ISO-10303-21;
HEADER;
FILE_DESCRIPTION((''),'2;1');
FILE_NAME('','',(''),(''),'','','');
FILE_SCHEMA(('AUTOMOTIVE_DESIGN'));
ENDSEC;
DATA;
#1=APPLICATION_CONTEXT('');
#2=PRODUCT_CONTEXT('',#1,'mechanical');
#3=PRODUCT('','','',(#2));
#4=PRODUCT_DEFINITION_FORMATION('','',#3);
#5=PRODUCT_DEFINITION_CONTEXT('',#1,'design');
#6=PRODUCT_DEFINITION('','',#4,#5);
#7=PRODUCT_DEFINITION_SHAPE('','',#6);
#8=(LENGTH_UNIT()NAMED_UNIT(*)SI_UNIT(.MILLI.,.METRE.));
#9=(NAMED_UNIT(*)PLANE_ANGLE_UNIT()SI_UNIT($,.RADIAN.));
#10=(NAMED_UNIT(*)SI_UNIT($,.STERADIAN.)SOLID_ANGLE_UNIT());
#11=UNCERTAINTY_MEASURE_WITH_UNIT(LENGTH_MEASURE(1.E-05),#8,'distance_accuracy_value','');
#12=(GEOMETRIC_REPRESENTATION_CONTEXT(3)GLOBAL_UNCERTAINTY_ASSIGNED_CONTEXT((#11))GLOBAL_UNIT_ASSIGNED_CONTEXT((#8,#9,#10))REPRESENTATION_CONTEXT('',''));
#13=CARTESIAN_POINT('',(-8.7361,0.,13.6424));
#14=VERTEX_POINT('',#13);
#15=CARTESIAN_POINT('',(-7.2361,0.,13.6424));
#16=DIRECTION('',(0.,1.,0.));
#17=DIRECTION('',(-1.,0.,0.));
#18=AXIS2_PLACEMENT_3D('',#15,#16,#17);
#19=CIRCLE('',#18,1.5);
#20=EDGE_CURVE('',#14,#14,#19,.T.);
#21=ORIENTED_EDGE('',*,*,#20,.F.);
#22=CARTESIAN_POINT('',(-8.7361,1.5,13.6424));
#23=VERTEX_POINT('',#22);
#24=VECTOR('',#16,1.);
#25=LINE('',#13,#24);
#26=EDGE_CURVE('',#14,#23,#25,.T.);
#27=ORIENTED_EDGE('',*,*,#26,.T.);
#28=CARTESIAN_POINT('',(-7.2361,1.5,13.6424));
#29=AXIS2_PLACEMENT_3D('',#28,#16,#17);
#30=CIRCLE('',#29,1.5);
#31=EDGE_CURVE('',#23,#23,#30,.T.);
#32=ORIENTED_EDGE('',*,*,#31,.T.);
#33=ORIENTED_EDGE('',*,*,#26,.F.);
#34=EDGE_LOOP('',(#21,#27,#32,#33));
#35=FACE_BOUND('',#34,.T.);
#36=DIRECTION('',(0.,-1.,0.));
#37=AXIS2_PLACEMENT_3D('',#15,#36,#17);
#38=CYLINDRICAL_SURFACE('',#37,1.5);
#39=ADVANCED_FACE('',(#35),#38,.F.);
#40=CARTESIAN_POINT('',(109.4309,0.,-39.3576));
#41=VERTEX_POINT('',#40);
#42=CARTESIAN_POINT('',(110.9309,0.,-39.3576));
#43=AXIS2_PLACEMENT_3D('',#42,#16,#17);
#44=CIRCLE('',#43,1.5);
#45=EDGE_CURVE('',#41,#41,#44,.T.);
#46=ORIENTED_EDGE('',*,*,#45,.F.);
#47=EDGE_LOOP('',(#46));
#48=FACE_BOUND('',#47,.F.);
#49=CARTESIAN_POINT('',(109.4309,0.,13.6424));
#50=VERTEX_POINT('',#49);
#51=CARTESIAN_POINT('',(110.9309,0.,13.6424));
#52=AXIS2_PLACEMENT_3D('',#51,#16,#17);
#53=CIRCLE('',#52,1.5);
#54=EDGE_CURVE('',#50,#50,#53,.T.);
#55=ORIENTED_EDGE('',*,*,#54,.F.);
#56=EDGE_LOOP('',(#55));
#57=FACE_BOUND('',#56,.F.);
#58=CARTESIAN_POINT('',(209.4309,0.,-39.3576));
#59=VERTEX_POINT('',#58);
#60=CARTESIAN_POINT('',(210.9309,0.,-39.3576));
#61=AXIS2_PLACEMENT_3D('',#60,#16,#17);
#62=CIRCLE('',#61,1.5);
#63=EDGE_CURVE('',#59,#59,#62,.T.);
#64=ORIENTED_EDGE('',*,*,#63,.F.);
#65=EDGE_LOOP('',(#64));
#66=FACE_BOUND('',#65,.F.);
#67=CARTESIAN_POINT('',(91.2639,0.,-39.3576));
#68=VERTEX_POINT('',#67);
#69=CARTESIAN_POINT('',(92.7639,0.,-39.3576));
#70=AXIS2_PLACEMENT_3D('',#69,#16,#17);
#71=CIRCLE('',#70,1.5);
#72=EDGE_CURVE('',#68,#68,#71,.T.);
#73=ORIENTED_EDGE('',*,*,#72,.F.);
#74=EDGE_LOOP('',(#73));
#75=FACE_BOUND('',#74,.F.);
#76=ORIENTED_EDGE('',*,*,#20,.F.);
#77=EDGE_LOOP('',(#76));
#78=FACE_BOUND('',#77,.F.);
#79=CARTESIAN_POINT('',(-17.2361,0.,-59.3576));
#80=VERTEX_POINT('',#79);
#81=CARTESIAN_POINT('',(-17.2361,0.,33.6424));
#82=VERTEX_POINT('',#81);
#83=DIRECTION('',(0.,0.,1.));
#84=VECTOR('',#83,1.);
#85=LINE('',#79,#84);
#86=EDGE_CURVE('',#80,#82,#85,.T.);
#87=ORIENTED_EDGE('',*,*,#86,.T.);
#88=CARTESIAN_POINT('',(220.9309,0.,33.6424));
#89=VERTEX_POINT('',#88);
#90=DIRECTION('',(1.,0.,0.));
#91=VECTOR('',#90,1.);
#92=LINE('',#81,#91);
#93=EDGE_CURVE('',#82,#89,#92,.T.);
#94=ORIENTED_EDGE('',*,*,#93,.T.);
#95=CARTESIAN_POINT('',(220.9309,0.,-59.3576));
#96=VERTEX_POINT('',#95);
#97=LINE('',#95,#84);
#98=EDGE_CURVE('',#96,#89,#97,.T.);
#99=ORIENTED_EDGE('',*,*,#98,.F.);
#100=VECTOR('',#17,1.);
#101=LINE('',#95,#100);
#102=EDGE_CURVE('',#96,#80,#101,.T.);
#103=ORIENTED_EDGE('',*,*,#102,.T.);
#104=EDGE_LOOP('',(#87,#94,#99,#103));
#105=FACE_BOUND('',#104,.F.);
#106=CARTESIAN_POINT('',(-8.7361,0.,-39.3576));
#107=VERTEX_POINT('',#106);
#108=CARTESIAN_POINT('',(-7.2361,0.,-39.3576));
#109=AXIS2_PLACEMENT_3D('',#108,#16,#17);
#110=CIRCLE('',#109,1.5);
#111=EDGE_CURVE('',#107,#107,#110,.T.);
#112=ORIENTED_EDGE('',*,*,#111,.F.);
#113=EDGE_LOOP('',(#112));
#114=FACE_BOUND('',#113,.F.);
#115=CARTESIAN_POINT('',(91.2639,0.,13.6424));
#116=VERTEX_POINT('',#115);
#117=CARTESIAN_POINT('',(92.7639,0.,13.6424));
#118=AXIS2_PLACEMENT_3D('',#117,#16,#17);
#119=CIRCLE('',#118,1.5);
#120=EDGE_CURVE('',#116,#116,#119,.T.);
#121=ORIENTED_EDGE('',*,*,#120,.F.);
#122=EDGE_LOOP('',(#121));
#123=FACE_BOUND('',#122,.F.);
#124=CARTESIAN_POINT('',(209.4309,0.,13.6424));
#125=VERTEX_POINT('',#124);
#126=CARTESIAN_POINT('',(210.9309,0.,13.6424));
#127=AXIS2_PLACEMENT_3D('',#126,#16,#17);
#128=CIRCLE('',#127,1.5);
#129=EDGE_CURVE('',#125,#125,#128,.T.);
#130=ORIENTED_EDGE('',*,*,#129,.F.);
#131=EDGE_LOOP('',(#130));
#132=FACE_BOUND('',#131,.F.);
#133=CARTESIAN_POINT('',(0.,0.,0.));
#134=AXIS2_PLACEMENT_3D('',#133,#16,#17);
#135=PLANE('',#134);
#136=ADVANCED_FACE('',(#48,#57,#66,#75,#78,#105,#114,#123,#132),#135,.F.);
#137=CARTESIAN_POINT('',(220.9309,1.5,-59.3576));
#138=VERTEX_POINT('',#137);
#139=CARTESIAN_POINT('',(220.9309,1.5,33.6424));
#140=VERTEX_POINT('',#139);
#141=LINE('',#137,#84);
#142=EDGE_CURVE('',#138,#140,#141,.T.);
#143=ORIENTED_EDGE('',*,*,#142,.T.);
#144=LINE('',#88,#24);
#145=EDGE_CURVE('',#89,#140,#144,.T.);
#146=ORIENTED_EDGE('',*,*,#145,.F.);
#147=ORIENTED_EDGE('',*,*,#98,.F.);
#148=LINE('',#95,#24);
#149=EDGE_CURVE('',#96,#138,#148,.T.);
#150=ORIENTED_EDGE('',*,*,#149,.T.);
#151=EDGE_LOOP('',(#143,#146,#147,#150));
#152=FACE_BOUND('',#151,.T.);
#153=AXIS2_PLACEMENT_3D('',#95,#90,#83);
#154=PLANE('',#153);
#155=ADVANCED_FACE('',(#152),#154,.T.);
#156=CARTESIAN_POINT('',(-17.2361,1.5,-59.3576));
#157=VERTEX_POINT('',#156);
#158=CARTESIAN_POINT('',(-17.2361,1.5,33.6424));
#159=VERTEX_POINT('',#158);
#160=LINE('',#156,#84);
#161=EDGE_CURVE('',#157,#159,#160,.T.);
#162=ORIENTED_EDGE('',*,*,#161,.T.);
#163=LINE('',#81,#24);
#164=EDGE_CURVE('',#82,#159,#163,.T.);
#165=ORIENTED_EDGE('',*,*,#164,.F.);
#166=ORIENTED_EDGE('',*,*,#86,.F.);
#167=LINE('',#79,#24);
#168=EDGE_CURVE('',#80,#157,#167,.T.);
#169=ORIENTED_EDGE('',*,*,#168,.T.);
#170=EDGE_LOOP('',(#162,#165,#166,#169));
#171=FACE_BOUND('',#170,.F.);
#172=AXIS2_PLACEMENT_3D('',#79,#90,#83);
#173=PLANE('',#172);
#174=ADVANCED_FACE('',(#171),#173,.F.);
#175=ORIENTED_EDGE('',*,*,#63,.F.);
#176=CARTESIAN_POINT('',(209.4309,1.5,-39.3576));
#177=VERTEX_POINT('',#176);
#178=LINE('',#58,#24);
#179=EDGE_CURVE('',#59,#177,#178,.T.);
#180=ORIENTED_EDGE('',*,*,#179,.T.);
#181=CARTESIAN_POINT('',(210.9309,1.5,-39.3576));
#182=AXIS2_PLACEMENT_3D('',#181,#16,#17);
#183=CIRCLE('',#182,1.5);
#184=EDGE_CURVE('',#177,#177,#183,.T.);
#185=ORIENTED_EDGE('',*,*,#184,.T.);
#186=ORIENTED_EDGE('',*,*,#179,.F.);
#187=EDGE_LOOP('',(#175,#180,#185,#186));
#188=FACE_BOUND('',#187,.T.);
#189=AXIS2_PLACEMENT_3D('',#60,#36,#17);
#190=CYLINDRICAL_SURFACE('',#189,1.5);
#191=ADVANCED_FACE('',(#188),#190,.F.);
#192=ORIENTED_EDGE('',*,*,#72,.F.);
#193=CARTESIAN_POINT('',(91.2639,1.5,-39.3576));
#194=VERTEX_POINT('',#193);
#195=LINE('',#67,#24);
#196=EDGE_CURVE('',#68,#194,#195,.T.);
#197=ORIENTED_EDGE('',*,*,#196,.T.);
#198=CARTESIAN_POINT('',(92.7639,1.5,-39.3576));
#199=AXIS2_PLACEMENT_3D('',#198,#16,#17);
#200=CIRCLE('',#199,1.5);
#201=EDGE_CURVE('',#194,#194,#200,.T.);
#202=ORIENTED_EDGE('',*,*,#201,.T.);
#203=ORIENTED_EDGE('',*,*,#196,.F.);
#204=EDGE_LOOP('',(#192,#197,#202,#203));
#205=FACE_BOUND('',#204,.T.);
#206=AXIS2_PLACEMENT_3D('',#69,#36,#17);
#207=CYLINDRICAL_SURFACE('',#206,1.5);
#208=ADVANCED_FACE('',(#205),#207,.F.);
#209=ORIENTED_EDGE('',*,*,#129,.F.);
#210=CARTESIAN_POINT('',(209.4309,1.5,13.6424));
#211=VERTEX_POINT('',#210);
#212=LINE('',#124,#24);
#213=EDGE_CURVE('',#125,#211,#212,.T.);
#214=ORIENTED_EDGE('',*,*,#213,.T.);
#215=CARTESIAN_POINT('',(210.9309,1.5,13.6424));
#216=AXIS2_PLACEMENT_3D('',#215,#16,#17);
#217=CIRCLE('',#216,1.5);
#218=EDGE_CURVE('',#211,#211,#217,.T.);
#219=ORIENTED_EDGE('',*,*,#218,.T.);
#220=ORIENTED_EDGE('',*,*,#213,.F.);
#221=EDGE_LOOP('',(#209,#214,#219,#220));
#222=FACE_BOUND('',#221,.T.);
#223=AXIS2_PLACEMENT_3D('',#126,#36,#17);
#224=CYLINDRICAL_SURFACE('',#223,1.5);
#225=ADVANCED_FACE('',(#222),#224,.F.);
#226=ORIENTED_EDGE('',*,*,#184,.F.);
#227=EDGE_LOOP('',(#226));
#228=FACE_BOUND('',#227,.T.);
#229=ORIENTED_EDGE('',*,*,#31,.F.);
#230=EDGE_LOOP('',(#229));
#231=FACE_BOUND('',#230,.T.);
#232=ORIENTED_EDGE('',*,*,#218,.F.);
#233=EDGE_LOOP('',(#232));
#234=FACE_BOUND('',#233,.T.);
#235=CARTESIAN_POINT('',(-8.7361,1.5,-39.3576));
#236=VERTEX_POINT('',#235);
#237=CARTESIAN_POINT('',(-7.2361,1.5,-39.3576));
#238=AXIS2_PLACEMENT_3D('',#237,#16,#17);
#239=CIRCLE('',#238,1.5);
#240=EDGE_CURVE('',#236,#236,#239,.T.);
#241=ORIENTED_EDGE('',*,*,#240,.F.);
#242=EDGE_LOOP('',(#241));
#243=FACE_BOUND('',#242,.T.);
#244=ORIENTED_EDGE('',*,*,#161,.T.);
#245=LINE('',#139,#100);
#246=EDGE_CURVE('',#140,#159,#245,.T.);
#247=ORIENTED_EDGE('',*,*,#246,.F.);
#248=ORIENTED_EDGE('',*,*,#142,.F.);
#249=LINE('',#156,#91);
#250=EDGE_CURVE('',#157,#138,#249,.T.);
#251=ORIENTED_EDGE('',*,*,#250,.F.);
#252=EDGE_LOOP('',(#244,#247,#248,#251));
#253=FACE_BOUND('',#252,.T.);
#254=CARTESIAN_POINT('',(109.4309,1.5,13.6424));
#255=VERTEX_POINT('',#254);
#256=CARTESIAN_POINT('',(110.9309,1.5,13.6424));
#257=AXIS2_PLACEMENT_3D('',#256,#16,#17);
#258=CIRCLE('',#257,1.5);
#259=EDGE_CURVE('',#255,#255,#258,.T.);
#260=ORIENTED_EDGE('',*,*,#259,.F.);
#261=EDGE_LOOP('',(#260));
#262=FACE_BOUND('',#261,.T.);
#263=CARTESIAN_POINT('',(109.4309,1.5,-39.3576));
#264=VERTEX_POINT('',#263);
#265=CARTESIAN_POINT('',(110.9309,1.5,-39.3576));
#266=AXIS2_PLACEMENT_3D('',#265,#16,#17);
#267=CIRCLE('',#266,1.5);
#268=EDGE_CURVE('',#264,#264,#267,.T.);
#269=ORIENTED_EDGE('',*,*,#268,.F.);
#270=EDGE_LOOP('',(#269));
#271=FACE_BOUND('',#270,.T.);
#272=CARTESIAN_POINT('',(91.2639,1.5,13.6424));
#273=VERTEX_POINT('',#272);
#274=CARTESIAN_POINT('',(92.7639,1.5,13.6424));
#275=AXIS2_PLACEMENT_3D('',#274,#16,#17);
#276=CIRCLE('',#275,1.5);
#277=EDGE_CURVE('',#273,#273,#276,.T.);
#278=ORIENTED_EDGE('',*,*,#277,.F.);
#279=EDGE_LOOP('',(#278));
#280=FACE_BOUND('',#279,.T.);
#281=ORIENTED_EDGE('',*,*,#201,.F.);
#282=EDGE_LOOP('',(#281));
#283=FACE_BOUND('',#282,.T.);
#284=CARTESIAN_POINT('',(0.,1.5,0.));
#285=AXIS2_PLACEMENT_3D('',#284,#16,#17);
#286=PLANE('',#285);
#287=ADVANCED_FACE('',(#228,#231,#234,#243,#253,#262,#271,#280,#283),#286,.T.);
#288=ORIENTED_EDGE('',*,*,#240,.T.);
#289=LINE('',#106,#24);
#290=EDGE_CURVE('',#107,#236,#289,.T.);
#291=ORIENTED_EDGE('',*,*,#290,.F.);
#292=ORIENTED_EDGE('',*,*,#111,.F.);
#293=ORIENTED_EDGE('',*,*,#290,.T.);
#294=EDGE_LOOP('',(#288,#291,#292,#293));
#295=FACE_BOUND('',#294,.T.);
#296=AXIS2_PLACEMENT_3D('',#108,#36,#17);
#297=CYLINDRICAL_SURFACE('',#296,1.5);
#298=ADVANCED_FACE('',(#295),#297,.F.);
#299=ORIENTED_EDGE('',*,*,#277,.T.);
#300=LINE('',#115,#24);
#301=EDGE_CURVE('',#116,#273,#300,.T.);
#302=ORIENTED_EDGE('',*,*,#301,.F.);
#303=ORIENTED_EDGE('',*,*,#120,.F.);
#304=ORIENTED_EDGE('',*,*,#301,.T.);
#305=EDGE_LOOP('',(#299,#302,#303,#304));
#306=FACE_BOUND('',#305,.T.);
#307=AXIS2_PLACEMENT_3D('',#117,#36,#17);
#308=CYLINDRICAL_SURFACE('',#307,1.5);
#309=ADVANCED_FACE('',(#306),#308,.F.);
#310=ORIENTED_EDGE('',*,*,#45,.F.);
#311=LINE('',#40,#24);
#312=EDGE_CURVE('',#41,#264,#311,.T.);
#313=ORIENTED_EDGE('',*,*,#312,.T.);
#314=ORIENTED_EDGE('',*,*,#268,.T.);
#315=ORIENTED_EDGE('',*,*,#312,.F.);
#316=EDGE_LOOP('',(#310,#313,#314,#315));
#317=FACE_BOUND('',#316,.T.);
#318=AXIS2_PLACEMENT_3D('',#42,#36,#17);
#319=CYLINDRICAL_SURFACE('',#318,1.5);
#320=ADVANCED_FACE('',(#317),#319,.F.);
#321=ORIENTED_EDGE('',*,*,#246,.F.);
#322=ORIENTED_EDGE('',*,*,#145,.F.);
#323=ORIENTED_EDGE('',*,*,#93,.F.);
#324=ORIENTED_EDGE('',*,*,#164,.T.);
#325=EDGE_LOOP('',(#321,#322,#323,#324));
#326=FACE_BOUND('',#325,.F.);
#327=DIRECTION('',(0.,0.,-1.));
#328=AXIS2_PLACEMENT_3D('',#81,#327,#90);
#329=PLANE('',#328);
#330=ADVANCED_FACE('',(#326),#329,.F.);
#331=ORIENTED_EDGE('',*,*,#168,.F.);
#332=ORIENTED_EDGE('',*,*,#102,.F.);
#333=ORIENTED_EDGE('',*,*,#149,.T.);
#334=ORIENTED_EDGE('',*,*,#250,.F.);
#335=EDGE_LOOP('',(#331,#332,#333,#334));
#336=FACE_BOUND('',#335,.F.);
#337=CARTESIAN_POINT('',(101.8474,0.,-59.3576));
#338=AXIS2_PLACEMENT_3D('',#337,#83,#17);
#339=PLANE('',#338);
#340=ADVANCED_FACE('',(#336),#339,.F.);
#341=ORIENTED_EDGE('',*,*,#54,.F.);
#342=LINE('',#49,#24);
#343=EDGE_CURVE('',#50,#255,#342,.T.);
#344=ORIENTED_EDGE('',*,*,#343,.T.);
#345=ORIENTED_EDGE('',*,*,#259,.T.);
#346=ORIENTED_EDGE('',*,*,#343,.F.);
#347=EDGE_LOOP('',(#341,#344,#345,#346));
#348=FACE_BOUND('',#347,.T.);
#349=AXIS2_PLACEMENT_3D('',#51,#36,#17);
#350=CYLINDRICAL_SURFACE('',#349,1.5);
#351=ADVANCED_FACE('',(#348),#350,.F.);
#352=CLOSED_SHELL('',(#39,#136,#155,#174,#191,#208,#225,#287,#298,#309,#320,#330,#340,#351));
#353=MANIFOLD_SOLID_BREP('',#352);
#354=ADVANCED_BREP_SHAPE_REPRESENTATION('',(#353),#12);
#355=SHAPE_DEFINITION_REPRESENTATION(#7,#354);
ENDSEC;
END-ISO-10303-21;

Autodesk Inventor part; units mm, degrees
ref_plane "YZ Plane" through (0, 0, 0) normal (1, 0, 0) x (0, 1, 0)
ref_plane "XZ Plane" through (0, 0, 0) normal (0, 1, 0) x (-1, 0, 0)
ref_plane "XY Plane" through (0, 0, 0) normal (0, 0, 1) x (1, 0, 0)
sketch "Sketch1" plane through (0, 0, 0) normal (0, 1, 0) x (-1, 0, 0)
  circle A0 centre (7.2361, 13.6424) radius 1.5
  line L0 (0, 1.6974) -> (0, -1.2933)
  line L1 (1.3539, 0) -> (-1.1645, 0)
  circle A1 centre (7.2361, -39.3576) radius 1.5
  circle A2 centre (-92.7639, 13.6424) radius 1.5
  circle A3 centre (-92.7639, -39.3576) radius 1.5
  line L2 (17.2361, 33.6424) -> (-101.8474, 33.6424)
  line L3 (-101.8474, 33.6424) -> (-101.8474, -59.3576)
  line L4 (-101.8474, -59.3576) -> (17.2361, -59.3576)
  line L5 (17.2361, -59.3576) -> (17.2361, 33.6424)
  circle A4 centre (-210.9309, 13.6424) radius 1.5
  circle A5 centre (-210.9309, -39.3576) radius 1.5
  circle A6 centre (-110.9309, 13.6424) radius 1.5
  circle A7 centre (-110.9309, -39.3576) radius 1.5
  line L6 (-220.9309, 33.6424) -> (-101.8474, 33.6424)
  line L7 (-101.8474, -59.3576) -> (-220.9309, -59.3576)
  line L8 (-220.9309, -59.3576) -> (-220.9309, 33.6424)
  point P0 (0, 0)
  dimension "d2" = 3
  dimension "d14" = 53
  dimension "d24" = 100
  dimension "d39" = 20
  dimension "d46" = 20
  dimension "d53" = 10
  dimension "d68" = 18.167
extrude "Extrusion1" add sketch "Sketch1" along normal blind 1.5
equation "\"d2\" = JukakANyakon"
equation "\"d14\" = JukakKoztiTavolsagSzeleseg"
equation "\"d24\" = JukaKoztiTavolsagHoszusag"
equation "\"JukakANyakon\" = 3"
equation "\"JukakKoztiTavolsagSzeleseg\" = 53"
equation "\"JukaKoztiTavolsagHoszusag\" = 100"
properties part number "AlsoLemezVizhutes"
